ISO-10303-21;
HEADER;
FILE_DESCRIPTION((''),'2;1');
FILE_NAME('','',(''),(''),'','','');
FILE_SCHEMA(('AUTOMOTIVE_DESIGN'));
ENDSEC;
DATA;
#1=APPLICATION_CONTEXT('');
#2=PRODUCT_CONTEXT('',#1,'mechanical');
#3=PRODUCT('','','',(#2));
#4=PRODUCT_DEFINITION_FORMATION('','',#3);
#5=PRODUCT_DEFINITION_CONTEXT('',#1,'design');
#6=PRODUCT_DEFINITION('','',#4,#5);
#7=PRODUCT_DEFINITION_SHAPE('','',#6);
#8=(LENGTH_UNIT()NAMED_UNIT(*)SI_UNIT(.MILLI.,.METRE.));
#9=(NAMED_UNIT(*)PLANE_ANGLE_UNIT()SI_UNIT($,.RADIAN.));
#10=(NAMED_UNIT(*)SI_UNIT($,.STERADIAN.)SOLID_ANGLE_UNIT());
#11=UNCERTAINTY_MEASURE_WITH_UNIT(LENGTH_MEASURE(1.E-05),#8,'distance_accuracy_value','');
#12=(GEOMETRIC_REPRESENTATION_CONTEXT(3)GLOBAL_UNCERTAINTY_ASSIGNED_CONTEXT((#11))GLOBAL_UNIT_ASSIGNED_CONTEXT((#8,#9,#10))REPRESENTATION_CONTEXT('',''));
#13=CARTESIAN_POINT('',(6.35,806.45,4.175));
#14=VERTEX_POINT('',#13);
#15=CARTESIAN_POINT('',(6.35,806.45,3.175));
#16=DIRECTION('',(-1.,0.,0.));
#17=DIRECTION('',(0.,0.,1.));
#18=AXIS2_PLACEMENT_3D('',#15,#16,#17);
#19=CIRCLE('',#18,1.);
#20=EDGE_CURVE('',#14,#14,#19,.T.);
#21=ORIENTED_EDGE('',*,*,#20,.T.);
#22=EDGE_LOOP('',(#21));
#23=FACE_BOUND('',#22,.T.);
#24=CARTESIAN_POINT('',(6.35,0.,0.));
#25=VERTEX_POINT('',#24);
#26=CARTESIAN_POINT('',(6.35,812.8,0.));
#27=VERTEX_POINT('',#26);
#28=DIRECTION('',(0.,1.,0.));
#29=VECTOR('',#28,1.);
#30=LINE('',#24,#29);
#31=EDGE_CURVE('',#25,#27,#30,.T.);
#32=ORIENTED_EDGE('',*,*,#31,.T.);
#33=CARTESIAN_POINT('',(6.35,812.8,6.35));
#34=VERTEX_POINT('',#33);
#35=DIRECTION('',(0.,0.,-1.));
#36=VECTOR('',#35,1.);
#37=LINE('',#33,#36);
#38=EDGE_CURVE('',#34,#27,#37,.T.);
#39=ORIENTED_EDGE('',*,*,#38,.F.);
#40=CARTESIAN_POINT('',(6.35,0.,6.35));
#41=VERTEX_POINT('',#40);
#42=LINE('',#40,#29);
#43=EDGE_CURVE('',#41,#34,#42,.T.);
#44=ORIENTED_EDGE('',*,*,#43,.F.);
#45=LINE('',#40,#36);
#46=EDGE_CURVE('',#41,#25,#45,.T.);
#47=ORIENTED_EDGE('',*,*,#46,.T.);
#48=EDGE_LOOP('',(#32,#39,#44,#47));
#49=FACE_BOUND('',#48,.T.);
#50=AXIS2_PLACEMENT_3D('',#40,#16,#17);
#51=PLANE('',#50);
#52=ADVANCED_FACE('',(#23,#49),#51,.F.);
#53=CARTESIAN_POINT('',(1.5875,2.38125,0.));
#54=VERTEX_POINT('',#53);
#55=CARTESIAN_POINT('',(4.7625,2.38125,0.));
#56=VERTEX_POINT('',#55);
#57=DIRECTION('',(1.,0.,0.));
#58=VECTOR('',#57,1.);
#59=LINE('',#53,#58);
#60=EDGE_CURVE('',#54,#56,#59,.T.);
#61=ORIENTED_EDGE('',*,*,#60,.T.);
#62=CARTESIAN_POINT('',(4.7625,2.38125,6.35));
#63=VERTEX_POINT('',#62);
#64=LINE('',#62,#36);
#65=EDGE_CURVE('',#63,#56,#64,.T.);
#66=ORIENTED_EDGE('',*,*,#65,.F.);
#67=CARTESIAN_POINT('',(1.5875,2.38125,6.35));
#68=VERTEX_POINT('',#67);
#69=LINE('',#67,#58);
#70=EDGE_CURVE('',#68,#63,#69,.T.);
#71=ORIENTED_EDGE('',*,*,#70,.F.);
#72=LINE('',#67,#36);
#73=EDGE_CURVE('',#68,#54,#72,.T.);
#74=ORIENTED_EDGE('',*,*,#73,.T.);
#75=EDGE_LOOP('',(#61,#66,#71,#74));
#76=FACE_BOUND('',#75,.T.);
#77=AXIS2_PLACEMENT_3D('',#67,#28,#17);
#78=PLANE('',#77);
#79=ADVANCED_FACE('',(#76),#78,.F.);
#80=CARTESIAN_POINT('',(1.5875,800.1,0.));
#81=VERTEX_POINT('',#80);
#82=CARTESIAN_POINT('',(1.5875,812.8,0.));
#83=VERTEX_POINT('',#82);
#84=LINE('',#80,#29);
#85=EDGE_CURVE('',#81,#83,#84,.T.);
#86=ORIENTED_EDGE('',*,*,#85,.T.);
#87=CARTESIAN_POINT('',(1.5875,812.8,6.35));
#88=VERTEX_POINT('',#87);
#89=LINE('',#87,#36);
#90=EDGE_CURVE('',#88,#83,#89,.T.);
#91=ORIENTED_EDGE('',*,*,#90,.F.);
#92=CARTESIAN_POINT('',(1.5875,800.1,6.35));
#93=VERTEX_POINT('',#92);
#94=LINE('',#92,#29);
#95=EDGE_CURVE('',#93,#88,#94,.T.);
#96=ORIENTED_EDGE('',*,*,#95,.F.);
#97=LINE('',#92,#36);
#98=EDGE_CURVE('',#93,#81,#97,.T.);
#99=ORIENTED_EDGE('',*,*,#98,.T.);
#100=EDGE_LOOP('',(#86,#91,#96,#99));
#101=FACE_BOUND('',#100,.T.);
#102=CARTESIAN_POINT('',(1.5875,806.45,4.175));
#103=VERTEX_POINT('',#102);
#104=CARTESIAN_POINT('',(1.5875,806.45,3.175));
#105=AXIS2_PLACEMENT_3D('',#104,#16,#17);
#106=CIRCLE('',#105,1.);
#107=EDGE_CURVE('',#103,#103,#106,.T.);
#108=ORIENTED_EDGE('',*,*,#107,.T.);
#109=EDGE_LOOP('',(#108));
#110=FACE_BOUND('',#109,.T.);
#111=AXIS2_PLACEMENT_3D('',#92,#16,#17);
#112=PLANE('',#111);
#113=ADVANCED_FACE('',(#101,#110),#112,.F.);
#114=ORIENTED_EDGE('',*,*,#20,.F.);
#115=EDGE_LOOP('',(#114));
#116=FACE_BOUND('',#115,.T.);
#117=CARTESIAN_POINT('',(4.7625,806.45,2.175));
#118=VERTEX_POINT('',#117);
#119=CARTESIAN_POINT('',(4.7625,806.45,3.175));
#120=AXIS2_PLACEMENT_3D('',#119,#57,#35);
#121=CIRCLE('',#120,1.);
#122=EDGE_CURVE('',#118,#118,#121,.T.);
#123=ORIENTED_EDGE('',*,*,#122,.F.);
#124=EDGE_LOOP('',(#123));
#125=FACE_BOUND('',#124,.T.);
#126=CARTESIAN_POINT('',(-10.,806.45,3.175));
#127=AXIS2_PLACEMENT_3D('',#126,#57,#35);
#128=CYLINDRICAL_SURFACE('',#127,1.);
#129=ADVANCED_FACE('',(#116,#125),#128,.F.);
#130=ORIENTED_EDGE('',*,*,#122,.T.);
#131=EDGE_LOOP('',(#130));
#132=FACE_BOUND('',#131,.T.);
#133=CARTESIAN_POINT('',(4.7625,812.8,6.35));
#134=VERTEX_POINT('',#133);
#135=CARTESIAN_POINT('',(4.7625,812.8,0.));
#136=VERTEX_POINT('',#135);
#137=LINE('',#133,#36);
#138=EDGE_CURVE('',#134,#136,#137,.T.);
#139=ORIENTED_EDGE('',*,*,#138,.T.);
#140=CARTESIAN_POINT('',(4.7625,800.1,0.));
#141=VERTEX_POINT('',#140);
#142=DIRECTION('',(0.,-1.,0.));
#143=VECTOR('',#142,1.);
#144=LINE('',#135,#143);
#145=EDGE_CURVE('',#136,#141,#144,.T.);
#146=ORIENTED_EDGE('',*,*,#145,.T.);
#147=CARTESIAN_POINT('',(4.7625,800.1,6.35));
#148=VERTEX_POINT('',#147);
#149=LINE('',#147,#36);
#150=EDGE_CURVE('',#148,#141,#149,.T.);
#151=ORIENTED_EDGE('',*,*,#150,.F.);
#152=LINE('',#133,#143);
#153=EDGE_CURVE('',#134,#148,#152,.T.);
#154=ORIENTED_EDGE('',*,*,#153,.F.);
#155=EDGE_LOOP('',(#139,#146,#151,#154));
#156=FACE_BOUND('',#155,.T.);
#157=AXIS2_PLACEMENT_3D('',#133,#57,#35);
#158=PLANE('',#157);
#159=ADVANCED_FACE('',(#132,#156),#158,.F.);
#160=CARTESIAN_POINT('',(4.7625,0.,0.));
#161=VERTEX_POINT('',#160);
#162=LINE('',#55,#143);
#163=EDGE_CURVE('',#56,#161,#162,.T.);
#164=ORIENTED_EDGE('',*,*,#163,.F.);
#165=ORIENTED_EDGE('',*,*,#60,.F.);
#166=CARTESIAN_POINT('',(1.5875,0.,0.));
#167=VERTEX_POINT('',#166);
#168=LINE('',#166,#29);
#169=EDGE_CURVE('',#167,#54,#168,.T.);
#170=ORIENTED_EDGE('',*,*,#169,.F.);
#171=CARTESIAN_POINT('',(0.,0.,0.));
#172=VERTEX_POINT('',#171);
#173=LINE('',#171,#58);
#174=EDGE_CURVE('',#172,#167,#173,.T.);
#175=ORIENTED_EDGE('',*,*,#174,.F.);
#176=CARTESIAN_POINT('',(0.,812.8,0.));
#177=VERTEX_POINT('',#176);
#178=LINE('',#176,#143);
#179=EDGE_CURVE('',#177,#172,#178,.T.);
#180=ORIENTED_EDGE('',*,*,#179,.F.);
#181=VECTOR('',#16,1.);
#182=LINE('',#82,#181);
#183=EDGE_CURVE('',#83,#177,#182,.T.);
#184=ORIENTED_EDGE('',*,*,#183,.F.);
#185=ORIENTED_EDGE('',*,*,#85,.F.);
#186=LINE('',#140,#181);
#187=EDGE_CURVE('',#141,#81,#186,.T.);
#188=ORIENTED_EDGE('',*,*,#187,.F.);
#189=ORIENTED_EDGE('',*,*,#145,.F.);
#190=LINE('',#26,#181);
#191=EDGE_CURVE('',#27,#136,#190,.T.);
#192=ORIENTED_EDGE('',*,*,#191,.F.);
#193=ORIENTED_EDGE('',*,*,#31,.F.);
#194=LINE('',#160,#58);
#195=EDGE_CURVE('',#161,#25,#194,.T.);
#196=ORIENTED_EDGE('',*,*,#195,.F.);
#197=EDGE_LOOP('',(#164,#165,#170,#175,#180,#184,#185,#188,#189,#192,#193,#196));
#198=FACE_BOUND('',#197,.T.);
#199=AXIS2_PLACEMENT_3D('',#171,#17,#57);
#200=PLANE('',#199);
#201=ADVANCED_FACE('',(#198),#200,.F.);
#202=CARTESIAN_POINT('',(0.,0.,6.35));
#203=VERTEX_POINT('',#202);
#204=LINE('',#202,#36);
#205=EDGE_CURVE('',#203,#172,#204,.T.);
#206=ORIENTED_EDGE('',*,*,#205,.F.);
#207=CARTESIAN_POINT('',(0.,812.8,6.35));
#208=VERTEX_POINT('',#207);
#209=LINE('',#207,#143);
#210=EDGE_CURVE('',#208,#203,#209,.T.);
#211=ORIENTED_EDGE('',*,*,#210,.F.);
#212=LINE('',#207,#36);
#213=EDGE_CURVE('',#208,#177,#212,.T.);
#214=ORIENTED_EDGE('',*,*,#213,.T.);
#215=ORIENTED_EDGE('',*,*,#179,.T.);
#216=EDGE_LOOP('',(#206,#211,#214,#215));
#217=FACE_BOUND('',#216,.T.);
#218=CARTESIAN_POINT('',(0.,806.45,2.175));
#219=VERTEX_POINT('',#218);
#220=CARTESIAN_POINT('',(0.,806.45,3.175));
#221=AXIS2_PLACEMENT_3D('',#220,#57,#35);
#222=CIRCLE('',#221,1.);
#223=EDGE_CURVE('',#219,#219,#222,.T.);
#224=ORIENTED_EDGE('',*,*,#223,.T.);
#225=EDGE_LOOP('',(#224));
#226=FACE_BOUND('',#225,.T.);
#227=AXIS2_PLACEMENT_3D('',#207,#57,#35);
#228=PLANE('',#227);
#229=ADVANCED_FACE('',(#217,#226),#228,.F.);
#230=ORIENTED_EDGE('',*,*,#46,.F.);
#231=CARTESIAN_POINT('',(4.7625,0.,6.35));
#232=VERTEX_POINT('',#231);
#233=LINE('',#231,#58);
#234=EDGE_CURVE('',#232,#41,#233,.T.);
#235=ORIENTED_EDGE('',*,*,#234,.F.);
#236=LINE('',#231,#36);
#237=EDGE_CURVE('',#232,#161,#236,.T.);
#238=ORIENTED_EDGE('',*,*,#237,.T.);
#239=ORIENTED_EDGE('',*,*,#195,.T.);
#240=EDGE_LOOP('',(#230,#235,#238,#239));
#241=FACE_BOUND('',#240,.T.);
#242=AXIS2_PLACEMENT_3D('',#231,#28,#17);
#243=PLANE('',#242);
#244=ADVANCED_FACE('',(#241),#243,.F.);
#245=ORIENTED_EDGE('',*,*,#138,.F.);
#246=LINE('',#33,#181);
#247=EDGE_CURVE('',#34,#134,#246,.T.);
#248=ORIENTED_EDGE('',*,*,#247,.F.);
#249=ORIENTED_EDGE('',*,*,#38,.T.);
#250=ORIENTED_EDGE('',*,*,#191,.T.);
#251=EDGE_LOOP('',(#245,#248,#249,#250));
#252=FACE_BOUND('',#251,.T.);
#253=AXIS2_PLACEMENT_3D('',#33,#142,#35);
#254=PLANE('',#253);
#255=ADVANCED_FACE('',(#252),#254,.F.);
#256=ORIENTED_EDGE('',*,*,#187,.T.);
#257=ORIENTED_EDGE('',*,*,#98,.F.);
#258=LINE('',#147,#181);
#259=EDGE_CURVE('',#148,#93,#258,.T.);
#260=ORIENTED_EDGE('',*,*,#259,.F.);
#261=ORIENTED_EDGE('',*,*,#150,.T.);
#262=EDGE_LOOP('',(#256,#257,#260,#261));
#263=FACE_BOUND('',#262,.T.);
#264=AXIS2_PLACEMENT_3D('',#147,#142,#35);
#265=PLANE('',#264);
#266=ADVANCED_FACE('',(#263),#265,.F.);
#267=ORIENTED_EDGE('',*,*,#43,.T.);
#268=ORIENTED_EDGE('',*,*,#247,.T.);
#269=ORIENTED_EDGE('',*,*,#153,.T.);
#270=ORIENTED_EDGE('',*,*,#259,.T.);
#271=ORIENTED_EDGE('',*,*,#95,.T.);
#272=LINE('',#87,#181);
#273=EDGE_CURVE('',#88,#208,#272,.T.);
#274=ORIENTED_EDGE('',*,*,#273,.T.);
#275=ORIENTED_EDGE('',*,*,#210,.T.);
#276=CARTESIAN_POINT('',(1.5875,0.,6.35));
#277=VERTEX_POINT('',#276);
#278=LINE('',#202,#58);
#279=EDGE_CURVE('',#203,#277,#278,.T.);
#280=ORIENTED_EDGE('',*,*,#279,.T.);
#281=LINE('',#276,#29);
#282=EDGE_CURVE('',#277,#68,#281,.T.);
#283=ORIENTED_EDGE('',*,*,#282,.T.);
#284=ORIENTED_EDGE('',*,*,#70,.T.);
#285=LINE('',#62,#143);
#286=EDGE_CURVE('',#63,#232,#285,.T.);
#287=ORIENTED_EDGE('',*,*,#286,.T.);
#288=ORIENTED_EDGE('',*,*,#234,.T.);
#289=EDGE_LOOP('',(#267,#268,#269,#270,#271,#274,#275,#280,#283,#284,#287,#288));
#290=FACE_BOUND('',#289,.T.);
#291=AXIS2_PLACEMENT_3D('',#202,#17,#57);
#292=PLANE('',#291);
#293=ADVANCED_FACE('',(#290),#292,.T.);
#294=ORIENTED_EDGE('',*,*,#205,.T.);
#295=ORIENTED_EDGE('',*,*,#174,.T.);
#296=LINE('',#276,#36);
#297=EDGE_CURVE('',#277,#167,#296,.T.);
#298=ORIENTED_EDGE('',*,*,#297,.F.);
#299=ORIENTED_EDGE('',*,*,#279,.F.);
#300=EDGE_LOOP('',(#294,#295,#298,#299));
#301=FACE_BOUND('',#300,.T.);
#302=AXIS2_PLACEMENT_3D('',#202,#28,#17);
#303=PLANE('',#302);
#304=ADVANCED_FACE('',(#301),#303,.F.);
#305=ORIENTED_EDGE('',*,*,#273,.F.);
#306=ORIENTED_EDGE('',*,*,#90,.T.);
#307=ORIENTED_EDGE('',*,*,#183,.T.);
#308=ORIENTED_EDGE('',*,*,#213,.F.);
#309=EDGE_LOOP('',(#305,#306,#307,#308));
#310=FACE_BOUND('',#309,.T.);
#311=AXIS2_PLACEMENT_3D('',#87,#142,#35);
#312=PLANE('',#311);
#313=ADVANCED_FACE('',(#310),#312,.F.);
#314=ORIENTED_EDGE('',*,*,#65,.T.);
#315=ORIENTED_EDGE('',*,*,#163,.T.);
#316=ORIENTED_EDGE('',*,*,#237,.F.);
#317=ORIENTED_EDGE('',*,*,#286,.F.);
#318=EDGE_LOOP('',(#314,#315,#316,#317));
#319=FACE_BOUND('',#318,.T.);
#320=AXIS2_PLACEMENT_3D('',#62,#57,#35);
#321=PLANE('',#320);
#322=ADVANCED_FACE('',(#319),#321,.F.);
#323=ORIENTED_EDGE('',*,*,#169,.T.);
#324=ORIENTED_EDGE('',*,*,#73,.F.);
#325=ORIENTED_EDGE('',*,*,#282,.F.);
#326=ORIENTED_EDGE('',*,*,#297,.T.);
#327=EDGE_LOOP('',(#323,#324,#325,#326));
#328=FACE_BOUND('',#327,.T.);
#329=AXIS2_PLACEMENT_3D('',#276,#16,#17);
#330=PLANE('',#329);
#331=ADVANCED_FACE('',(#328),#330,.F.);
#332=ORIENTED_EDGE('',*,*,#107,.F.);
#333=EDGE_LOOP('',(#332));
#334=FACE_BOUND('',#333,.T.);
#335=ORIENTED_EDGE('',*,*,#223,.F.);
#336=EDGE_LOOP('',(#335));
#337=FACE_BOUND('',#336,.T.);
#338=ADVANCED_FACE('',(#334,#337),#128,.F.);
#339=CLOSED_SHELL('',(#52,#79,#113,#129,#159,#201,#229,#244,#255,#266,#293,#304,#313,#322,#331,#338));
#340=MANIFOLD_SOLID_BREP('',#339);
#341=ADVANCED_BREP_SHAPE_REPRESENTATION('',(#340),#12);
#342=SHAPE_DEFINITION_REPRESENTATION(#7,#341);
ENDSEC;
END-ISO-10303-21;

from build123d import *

# Parameters (mm, degrees)
BOSS_EXTRUDE1_DEPTH = 6.35
SKETCH3_R           = 1
CUT_EXTRUDE3_DEPTH  = 10


with BuildPart() as part:
    # Sketch1 → Boss-Extrude1 (new body)
    with BuildSketch(Plane.XY):
        Polygon((0, 0), (1.5875, 0), (1.5875, 2.38125), (4.7625, 2.38125), (4.7625, 0), (6.35, 0), (6.35, 812.8), (4.7625, 812.8), (4.7625, 800.1), (1.5875, 800.1), (1.5875, 812.8), (0, 812.8), align=None)
    extrude(amount=BOSS_EXTRUDE1_DEPTH)

    # Sketch3 → Cut-Extrude3 (cut, symmetric)
    with BuildSketch(Plane(origin=(0, 0, 0), x_dir=(0, 0, -1), z_dir=(1, 0, 0))):
        with Locations((-3.175, 806.45)):
            Circle(SKETCH3_R)
    extrude(amount=CUT_EXTRUDE3_DEPTH, both=True, mode=Mode.SUBTRACT)


solid = part.part
